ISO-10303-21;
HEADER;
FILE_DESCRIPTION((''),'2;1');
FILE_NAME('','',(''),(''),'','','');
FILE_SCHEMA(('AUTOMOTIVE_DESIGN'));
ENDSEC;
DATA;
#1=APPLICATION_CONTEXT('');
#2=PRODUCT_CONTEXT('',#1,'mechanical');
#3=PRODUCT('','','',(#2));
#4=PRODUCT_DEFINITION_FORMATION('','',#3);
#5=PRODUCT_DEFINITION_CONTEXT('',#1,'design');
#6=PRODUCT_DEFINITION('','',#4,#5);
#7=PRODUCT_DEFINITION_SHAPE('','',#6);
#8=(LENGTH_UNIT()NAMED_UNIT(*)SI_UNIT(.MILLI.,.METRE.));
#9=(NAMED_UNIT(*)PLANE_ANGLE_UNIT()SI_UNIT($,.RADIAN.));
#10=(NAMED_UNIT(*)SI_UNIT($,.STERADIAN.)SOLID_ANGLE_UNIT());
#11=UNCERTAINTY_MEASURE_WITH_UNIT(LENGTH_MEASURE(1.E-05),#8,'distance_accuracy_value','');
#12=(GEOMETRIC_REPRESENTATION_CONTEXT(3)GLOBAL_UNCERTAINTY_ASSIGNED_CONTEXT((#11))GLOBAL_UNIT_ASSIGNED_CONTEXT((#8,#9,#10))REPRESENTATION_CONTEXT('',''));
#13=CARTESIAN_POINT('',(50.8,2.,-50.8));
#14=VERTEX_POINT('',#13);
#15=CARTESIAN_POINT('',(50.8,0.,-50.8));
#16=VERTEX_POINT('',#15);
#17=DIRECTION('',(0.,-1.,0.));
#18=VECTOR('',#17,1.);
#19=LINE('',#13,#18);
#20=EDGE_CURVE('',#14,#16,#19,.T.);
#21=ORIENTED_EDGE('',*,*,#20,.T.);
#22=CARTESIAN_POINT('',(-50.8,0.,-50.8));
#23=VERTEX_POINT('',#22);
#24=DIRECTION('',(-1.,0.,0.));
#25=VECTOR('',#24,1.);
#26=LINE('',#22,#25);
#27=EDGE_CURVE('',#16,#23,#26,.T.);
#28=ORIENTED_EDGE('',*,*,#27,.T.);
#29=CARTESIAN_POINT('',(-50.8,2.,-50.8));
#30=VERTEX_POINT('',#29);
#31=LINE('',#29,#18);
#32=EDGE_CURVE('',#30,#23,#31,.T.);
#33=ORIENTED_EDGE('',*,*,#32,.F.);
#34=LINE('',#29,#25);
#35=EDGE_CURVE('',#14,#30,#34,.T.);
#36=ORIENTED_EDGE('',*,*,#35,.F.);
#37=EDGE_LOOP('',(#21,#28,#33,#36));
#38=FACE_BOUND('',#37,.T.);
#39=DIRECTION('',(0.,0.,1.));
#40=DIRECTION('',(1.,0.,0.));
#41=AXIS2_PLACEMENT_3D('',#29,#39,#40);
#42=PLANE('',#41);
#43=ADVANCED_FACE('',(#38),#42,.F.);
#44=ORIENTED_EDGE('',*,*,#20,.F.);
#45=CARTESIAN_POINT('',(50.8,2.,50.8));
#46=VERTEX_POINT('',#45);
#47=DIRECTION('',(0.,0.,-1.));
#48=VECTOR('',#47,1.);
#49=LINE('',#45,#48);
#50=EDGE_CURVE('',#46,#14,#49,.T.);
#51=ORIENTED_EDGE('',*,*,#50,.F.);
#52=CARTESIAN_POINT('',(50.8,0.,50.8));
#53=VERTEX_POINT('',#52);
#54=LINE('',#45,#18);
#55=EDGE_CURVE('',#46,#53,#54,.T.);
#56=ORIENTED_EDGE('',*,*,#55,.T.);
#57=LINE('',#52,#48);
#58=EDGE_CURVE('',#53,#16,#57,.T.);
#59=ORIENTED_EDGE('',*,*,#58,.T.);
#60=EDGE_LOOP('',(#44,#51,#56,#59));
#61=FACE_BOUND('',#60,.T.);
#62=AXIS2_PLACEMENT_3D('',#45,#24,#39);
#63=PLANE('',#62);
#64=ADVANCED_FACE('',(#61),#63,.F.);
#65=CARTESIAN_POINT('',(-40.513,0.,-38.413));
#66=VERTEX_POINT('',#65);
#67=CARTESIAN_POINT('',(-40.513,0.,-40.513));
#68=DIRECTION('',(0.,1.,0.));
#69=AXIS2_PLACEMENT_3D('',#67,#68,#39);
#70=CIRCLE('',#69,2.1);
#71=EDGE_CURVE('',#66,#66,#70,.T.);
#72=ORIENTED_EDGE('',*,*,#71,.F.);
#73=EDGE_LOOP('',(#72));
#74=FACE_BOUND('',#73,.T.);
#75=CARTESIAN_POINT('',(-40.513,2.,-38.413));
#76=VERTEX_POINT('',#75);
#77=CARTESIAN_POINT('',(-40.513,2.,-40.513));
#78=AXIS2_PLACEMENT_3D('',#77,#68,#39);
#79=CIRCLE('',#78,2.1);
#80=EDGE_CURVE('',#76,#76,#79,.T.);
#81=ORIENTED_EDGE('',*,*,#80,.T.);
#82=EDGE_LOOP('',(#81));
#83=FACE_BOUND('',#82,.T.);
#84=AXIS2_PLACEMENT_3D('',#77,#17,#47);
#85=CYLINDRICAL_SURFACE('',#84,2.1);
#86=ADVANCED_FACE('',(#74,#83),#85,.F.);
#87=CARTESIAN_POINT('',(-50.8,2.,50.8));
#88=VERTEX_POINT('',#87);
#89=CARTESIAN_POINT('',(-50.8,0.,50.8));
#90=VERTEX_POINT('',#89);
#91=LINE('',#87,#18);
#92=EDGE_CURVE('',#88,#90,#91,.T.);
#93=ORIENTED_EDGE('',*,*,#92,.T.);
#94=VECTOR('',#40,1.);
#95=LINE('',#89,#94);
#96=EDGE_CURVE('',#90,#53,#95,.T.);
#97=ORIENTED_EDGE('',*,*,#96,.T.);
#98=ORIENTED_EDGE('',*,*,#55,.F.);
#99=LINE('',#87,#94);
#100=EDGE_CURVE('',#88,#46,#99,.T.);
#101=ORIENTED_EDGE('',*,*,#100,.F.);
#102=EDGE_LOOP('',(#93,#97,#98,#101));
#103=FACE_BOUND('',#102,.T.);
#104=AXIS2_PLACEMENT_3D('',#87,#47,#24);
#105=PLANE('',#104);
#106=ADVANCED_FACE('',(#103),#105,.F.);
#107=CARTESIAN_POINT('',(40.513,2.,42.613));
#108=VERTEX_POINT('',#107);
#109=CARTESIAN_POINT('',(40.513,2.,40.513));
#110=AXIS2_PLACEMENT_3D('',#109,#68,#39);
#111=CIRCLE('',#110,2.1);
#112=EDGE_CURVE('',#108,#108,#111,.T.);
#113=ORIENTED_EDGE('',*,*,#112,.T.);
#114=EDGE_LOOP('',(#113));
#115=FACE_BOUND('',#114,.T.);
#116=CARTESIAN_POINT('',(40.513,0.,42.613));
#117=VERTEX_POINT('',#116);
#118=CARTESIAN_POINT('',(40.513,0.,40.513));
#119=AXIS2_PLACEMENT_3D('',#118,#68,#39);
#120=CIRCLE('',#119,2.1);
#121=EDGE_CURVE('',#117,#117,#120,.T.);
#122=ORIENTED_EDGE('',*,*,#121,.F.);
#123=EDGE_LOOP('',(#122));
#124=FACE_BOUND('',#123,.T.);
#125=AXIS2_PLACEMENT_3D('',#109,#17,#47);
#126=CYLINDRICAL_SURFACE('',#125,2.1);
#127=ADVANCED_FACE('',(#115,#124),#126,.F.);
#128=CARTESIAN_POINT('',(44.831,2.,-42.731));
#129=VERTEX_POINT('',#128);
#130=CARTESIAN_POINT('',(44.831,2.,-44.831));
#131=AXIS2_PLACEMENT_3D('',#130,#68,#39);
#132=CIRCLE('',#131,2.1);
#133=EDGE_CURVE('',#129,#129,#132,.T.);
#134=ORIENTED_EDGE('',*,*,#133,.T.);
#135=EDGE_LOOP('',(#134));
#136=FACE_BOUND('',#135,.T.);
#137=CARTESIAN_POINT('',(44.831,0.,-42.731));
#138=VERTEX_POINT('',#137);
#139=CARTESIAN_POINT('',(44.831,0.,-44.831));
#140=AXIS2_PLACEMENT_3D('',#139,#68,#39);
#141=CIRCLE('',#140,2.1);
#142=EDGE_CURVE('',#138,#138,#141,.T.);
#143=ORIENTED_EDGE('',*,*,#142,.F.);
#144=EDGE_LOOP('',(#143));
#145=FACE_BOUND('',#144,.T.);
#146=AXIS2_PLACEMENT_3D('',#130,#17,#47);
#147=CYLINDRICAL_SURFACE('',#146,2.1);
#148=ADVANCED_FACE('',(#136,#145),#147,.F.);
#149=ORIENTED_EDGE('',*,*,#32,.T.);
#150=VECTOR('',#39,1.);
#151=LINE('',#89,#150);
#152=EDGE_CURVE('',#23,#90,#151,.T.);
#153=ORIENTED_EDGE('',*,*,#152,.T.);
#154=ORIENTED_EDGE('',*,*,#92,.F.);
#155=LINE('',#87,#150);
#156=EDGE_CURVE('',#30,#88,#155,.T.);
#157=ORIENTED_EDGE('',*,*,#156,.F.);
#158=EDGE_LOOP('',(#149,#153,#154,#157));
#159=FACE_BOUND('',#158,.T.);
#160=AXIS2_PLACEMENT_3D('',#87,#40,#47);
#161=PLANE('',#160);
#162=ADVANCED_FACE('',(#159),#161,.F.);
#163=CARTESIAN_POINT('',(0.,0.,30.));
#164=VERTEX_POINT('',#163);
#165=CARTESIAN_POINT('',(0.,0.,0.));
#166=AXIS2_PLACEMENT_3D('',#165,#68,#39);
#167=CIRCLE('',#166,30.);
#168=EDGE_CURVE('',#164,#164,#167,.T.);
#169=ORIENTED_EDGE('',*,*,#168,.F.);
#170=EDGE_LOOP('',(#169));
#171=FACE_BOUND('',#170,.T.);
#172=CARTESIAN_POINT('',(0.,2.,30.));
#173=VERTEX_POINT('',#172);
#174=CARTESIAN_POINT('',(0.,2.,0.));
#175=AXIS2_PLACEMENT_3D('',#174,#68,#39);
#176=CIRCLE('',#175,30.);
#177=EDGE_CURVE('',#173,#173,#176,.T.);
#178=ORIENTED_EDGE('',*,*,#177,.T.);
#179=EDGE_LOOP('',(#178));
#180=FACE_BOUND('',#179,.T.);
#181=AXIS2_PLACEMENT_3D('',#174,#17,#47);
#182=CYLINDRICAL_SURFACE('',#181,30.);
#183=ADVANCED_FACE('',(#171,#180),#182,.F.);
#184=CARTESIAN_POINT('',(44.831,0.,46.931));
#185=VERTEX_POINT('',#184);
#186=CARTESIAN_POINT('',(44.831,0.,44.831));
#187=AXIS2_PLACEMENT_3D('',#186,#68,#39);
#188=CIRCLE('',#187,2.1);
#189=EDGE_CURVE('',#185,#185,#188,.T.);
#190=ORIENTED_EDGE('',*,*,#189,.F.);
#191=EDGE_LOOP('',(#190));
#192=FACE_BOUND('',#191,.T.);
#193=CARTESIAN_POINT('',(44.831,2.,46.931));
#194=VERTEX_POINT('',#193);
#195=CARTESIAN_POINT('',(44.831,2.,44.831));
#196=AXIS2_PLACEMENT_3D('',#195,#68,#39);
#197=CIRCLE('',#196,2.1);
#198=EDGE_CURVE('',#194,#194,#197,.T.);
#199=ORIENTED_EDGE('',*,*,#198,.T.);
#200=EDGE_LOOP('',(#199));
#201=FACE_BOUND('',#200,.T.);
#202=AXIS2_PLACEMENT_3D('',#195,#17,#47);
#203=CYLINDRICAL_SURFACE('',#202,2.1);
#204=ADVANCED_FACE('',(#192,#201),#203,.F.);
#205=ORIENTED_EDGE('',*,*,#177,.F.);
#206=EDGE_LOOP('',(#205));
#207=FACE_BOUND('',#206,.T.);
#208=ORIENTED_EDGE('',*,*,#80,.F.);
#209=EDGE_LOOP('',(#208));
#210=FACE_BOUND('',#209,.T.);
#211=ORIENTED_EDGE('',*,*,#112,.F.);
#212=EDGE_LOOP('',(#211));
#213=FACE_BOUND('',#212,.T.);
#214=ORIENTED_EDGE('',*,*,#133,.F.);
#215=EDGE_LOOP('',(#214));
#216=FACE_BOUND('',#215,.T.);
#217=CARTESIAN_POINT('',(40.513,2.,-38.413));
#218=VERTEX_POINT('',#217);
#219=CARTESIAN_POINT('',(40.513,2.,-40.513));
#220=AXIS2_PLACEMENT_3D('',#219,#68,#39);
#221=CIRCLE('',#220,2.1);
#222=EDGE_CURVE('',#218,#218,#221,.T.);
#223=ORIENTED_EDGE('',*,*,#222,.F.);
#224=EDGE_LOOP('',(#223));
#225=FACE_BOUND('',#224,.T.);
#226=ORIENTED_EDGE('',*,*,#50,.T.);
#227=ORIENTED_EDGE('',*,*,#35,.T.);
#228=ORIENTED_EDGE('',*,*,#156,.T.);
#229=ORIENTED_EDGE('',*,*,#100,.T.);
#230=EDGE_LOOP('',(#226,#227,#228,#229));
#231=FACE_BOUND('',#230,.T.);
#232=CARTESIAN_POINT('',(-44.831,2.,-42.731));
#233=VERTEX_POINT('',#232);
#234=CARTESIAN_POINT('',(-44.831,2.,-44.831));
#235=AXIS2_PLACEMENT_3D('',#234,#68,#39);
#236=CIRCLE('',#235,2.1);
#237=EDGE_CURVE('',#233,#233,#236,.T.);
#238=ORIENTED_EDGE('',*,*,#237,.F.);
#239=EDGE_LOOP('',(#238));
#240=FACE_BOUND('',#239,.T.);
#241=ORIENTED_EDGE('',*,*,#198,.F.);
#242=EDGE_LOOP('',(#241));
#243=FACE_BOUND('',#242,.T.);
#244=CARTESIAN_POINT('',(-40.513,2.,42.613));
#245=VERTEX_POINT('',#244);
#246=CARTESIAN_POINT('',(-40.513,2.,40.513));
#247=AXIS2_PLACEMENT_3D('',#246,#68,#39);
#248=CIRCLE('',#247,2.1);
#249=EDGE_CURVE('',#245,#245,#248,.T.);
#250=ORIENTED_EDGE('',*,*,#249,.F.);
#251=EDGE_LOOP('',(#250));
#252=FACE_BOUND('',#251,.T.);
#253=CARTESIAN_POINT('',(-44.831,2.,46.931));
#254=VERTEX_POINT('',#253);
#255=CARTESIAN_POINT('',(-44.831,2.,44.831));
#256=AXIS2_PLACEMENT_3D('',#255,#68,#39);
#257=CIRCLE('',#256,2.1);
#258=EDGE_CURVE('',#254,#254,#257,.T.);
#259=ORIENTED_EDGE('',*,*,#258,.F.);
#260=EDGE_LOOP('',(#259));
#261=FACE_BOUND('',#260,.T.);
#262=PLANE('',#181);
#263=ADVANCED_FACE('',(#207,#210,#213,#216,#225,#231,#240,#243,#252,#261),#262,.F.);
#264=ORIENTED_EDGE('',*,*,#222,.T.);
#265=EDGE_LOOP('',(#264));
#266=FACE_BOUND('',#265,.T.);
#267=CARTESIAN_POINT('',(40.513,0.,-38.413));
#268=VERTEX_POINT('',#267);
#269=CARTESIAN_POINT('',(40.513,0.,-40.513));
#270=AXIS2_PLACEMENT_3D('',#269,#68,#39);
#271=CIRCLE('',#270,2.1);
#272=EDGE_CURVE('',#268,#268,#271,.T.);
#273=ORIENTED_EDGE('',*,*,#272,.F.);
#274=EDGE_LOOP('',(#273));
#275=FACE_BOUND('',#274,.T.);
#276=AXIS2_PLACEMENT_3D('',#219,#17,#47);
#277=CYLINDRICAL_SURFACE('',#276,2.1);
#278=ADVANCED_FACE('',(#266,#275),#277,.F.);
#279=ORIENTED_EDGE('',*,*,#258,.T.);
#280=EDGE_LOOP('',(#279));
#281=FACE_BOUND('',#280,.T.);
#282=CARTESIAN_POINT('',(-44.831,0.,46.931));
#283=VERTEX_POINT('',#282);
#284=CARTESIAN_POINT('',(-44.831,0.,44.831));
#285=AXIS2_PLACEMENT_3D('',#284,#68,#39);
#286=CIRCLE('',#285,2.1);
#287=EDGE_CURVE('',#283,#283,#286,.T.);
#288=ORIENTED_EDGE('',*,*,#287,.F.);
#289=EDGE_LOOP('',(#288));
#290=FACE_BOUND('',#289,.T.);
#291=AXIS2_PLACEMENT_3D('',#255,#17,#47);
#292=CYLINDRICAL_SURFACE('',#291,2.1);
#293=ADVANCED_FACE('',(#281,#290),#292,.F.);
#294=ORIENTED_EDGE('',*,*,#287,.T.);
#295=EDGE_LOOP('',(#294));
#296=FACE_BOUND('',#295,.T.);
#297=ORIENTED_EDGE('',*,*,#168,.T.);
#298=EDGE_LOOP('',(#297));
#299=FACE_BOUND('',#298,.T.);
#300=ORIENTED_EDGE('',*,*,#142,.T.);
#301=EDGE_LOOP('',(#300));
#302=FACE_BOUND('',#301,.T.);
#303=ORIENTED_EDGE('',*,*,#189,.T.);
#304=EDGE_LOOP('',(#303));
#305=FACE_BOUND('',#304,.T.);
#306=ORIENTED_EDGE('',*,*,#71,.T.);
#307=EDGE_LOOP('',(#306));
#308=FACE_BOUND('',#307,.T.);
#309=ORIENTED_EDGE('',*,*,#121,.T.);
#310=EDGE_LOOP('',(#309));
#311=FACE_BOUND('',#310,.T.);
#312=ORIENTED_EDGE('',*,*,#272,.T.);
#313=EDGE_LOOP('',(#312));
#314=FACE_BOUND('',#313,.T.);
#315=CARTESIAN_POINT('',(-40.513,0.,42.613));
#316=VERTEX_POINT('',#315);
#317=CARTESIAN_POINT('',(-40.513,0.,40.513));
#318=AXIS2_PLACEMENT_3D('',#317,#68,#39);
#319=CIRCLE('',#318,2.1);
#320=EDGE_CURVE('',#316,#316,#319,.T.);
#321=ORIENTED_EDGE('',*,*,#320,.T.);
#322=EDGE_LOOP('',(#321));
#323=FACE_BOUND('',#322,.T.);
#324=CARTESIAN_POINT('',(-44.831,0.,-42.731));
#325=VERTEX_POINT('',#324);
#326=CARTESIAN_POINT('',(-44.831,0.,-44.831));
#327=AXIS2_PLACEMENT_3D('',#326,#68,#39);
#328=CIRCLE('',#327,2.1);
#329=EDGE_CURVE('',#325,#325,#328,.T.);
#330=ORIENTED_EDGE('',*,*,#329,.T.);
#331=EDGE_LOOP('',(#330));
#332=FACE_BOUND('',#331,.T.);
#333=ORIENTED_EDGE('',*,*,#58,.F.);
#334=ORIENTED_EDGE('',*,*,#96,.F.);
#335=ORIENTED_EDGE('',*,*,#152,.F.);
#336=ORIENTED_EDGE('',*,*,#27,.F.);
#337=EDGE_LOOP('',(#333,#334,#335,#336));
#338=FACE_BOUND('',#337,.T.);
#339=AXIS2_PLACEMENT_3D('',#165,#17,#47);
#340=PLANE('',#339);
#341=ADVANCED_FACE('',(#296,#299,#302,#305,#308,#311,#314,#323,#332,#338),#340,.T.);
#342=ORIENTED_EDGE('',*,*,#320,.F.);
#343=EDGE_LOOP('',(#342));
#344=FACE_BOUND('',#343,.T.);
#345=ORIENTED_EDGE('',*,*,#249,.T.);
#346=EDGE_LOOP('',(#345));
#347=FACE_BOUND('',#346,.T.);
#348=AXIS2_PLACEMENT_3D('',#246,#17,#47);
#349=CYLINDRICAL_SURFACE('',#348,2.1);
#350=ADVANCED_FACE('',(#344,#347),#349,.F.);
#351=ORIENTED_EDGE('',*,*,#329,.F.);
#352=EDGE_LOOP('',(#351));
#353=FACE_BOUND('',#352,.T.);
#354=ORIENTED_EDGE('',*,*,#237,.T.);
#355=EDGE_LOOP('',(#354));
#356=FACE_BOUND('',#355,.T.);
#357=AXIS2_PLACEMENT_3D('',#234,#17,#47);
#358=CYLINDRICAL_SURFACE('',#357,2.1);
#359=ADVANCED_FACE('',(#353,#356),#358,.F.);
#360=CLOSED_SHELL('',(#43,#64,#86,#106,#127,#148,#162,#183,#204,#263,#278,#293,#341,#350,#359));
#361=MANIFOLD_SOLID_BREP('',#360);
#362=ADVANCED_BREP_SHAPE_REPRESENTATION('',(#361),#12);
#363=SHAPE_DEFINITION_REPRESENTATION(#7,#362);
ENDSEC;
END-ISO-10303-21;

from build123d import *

# Parameters (mm, degrees)
SKETCH1_W           = 101.6
SKETCH1_H           = 101.6
SKETCH1_R           = 2.1
SKETCH1_R_2         = 30
BOSS_EXTRUDE1_DEPTH = 2


with BuildPart() as part:
    # Sketch1 → Boss-Extrude1 (new body)
    with BuildSketch(Plane(origin=(0, 0, 0), x_dir=(1, 0, 0), z_dir=(0, 1, 0))):
        Rectangle(SKETCH1_W, SKETCH1_H)
        with Locations(Location((-44.831, 44.831, 0), (0, 0, 270))):
            Circle(SKETCH1_R, mode=Mode.SUBTRACT)
        with Locations(Location((-40.513, 40.513, 0), (0, 0, 270))):
            Circle(SKETCH1_R, mode=Mode.SUBTRACT)
        with Locations(Location((44.831, 44.831, 0), (0, 0, 270))):
            Circle(SKETCH1_R, mode=Mode.SUBTRACT)
        with Locations(Location((40.513, 40.513, 0), (0, 0, 270))):
            Circle(SKETCH1_R, mode=Mode.SUBTRACT)
        with Locations(Location((44.831, -44.831, 0), (0, 0, 270))):
            Circle(SKETCH1_R, mode=Mode.SUBTRACT)
        with Locations(Location((40.513, -40.513, 0), (0, 0, 270))):
            Circle(SKETCH1_R, mode=Mode.SUBTRACT)
        with Locations(Location((-40.513, -40.513, 0), (0, 0, 270))):
            Circle(SKETCH1_R, mode=Mode.SUBTRACT)
        with Locations(Location((-44.831, -44.831, 0), (0, 0, 270))):
            Circle(SKETCH1_R, mode=Mode.SUBTRACT)
        with Locations(Location((0, 0, 0), (0, 0, 270))):
            Circle(SKETCH1_R_2, mode=Mode.SUBTRACT)
    extrude(amount=BOSS_EXTRUDE1_DEPTH)


solid = part.part
